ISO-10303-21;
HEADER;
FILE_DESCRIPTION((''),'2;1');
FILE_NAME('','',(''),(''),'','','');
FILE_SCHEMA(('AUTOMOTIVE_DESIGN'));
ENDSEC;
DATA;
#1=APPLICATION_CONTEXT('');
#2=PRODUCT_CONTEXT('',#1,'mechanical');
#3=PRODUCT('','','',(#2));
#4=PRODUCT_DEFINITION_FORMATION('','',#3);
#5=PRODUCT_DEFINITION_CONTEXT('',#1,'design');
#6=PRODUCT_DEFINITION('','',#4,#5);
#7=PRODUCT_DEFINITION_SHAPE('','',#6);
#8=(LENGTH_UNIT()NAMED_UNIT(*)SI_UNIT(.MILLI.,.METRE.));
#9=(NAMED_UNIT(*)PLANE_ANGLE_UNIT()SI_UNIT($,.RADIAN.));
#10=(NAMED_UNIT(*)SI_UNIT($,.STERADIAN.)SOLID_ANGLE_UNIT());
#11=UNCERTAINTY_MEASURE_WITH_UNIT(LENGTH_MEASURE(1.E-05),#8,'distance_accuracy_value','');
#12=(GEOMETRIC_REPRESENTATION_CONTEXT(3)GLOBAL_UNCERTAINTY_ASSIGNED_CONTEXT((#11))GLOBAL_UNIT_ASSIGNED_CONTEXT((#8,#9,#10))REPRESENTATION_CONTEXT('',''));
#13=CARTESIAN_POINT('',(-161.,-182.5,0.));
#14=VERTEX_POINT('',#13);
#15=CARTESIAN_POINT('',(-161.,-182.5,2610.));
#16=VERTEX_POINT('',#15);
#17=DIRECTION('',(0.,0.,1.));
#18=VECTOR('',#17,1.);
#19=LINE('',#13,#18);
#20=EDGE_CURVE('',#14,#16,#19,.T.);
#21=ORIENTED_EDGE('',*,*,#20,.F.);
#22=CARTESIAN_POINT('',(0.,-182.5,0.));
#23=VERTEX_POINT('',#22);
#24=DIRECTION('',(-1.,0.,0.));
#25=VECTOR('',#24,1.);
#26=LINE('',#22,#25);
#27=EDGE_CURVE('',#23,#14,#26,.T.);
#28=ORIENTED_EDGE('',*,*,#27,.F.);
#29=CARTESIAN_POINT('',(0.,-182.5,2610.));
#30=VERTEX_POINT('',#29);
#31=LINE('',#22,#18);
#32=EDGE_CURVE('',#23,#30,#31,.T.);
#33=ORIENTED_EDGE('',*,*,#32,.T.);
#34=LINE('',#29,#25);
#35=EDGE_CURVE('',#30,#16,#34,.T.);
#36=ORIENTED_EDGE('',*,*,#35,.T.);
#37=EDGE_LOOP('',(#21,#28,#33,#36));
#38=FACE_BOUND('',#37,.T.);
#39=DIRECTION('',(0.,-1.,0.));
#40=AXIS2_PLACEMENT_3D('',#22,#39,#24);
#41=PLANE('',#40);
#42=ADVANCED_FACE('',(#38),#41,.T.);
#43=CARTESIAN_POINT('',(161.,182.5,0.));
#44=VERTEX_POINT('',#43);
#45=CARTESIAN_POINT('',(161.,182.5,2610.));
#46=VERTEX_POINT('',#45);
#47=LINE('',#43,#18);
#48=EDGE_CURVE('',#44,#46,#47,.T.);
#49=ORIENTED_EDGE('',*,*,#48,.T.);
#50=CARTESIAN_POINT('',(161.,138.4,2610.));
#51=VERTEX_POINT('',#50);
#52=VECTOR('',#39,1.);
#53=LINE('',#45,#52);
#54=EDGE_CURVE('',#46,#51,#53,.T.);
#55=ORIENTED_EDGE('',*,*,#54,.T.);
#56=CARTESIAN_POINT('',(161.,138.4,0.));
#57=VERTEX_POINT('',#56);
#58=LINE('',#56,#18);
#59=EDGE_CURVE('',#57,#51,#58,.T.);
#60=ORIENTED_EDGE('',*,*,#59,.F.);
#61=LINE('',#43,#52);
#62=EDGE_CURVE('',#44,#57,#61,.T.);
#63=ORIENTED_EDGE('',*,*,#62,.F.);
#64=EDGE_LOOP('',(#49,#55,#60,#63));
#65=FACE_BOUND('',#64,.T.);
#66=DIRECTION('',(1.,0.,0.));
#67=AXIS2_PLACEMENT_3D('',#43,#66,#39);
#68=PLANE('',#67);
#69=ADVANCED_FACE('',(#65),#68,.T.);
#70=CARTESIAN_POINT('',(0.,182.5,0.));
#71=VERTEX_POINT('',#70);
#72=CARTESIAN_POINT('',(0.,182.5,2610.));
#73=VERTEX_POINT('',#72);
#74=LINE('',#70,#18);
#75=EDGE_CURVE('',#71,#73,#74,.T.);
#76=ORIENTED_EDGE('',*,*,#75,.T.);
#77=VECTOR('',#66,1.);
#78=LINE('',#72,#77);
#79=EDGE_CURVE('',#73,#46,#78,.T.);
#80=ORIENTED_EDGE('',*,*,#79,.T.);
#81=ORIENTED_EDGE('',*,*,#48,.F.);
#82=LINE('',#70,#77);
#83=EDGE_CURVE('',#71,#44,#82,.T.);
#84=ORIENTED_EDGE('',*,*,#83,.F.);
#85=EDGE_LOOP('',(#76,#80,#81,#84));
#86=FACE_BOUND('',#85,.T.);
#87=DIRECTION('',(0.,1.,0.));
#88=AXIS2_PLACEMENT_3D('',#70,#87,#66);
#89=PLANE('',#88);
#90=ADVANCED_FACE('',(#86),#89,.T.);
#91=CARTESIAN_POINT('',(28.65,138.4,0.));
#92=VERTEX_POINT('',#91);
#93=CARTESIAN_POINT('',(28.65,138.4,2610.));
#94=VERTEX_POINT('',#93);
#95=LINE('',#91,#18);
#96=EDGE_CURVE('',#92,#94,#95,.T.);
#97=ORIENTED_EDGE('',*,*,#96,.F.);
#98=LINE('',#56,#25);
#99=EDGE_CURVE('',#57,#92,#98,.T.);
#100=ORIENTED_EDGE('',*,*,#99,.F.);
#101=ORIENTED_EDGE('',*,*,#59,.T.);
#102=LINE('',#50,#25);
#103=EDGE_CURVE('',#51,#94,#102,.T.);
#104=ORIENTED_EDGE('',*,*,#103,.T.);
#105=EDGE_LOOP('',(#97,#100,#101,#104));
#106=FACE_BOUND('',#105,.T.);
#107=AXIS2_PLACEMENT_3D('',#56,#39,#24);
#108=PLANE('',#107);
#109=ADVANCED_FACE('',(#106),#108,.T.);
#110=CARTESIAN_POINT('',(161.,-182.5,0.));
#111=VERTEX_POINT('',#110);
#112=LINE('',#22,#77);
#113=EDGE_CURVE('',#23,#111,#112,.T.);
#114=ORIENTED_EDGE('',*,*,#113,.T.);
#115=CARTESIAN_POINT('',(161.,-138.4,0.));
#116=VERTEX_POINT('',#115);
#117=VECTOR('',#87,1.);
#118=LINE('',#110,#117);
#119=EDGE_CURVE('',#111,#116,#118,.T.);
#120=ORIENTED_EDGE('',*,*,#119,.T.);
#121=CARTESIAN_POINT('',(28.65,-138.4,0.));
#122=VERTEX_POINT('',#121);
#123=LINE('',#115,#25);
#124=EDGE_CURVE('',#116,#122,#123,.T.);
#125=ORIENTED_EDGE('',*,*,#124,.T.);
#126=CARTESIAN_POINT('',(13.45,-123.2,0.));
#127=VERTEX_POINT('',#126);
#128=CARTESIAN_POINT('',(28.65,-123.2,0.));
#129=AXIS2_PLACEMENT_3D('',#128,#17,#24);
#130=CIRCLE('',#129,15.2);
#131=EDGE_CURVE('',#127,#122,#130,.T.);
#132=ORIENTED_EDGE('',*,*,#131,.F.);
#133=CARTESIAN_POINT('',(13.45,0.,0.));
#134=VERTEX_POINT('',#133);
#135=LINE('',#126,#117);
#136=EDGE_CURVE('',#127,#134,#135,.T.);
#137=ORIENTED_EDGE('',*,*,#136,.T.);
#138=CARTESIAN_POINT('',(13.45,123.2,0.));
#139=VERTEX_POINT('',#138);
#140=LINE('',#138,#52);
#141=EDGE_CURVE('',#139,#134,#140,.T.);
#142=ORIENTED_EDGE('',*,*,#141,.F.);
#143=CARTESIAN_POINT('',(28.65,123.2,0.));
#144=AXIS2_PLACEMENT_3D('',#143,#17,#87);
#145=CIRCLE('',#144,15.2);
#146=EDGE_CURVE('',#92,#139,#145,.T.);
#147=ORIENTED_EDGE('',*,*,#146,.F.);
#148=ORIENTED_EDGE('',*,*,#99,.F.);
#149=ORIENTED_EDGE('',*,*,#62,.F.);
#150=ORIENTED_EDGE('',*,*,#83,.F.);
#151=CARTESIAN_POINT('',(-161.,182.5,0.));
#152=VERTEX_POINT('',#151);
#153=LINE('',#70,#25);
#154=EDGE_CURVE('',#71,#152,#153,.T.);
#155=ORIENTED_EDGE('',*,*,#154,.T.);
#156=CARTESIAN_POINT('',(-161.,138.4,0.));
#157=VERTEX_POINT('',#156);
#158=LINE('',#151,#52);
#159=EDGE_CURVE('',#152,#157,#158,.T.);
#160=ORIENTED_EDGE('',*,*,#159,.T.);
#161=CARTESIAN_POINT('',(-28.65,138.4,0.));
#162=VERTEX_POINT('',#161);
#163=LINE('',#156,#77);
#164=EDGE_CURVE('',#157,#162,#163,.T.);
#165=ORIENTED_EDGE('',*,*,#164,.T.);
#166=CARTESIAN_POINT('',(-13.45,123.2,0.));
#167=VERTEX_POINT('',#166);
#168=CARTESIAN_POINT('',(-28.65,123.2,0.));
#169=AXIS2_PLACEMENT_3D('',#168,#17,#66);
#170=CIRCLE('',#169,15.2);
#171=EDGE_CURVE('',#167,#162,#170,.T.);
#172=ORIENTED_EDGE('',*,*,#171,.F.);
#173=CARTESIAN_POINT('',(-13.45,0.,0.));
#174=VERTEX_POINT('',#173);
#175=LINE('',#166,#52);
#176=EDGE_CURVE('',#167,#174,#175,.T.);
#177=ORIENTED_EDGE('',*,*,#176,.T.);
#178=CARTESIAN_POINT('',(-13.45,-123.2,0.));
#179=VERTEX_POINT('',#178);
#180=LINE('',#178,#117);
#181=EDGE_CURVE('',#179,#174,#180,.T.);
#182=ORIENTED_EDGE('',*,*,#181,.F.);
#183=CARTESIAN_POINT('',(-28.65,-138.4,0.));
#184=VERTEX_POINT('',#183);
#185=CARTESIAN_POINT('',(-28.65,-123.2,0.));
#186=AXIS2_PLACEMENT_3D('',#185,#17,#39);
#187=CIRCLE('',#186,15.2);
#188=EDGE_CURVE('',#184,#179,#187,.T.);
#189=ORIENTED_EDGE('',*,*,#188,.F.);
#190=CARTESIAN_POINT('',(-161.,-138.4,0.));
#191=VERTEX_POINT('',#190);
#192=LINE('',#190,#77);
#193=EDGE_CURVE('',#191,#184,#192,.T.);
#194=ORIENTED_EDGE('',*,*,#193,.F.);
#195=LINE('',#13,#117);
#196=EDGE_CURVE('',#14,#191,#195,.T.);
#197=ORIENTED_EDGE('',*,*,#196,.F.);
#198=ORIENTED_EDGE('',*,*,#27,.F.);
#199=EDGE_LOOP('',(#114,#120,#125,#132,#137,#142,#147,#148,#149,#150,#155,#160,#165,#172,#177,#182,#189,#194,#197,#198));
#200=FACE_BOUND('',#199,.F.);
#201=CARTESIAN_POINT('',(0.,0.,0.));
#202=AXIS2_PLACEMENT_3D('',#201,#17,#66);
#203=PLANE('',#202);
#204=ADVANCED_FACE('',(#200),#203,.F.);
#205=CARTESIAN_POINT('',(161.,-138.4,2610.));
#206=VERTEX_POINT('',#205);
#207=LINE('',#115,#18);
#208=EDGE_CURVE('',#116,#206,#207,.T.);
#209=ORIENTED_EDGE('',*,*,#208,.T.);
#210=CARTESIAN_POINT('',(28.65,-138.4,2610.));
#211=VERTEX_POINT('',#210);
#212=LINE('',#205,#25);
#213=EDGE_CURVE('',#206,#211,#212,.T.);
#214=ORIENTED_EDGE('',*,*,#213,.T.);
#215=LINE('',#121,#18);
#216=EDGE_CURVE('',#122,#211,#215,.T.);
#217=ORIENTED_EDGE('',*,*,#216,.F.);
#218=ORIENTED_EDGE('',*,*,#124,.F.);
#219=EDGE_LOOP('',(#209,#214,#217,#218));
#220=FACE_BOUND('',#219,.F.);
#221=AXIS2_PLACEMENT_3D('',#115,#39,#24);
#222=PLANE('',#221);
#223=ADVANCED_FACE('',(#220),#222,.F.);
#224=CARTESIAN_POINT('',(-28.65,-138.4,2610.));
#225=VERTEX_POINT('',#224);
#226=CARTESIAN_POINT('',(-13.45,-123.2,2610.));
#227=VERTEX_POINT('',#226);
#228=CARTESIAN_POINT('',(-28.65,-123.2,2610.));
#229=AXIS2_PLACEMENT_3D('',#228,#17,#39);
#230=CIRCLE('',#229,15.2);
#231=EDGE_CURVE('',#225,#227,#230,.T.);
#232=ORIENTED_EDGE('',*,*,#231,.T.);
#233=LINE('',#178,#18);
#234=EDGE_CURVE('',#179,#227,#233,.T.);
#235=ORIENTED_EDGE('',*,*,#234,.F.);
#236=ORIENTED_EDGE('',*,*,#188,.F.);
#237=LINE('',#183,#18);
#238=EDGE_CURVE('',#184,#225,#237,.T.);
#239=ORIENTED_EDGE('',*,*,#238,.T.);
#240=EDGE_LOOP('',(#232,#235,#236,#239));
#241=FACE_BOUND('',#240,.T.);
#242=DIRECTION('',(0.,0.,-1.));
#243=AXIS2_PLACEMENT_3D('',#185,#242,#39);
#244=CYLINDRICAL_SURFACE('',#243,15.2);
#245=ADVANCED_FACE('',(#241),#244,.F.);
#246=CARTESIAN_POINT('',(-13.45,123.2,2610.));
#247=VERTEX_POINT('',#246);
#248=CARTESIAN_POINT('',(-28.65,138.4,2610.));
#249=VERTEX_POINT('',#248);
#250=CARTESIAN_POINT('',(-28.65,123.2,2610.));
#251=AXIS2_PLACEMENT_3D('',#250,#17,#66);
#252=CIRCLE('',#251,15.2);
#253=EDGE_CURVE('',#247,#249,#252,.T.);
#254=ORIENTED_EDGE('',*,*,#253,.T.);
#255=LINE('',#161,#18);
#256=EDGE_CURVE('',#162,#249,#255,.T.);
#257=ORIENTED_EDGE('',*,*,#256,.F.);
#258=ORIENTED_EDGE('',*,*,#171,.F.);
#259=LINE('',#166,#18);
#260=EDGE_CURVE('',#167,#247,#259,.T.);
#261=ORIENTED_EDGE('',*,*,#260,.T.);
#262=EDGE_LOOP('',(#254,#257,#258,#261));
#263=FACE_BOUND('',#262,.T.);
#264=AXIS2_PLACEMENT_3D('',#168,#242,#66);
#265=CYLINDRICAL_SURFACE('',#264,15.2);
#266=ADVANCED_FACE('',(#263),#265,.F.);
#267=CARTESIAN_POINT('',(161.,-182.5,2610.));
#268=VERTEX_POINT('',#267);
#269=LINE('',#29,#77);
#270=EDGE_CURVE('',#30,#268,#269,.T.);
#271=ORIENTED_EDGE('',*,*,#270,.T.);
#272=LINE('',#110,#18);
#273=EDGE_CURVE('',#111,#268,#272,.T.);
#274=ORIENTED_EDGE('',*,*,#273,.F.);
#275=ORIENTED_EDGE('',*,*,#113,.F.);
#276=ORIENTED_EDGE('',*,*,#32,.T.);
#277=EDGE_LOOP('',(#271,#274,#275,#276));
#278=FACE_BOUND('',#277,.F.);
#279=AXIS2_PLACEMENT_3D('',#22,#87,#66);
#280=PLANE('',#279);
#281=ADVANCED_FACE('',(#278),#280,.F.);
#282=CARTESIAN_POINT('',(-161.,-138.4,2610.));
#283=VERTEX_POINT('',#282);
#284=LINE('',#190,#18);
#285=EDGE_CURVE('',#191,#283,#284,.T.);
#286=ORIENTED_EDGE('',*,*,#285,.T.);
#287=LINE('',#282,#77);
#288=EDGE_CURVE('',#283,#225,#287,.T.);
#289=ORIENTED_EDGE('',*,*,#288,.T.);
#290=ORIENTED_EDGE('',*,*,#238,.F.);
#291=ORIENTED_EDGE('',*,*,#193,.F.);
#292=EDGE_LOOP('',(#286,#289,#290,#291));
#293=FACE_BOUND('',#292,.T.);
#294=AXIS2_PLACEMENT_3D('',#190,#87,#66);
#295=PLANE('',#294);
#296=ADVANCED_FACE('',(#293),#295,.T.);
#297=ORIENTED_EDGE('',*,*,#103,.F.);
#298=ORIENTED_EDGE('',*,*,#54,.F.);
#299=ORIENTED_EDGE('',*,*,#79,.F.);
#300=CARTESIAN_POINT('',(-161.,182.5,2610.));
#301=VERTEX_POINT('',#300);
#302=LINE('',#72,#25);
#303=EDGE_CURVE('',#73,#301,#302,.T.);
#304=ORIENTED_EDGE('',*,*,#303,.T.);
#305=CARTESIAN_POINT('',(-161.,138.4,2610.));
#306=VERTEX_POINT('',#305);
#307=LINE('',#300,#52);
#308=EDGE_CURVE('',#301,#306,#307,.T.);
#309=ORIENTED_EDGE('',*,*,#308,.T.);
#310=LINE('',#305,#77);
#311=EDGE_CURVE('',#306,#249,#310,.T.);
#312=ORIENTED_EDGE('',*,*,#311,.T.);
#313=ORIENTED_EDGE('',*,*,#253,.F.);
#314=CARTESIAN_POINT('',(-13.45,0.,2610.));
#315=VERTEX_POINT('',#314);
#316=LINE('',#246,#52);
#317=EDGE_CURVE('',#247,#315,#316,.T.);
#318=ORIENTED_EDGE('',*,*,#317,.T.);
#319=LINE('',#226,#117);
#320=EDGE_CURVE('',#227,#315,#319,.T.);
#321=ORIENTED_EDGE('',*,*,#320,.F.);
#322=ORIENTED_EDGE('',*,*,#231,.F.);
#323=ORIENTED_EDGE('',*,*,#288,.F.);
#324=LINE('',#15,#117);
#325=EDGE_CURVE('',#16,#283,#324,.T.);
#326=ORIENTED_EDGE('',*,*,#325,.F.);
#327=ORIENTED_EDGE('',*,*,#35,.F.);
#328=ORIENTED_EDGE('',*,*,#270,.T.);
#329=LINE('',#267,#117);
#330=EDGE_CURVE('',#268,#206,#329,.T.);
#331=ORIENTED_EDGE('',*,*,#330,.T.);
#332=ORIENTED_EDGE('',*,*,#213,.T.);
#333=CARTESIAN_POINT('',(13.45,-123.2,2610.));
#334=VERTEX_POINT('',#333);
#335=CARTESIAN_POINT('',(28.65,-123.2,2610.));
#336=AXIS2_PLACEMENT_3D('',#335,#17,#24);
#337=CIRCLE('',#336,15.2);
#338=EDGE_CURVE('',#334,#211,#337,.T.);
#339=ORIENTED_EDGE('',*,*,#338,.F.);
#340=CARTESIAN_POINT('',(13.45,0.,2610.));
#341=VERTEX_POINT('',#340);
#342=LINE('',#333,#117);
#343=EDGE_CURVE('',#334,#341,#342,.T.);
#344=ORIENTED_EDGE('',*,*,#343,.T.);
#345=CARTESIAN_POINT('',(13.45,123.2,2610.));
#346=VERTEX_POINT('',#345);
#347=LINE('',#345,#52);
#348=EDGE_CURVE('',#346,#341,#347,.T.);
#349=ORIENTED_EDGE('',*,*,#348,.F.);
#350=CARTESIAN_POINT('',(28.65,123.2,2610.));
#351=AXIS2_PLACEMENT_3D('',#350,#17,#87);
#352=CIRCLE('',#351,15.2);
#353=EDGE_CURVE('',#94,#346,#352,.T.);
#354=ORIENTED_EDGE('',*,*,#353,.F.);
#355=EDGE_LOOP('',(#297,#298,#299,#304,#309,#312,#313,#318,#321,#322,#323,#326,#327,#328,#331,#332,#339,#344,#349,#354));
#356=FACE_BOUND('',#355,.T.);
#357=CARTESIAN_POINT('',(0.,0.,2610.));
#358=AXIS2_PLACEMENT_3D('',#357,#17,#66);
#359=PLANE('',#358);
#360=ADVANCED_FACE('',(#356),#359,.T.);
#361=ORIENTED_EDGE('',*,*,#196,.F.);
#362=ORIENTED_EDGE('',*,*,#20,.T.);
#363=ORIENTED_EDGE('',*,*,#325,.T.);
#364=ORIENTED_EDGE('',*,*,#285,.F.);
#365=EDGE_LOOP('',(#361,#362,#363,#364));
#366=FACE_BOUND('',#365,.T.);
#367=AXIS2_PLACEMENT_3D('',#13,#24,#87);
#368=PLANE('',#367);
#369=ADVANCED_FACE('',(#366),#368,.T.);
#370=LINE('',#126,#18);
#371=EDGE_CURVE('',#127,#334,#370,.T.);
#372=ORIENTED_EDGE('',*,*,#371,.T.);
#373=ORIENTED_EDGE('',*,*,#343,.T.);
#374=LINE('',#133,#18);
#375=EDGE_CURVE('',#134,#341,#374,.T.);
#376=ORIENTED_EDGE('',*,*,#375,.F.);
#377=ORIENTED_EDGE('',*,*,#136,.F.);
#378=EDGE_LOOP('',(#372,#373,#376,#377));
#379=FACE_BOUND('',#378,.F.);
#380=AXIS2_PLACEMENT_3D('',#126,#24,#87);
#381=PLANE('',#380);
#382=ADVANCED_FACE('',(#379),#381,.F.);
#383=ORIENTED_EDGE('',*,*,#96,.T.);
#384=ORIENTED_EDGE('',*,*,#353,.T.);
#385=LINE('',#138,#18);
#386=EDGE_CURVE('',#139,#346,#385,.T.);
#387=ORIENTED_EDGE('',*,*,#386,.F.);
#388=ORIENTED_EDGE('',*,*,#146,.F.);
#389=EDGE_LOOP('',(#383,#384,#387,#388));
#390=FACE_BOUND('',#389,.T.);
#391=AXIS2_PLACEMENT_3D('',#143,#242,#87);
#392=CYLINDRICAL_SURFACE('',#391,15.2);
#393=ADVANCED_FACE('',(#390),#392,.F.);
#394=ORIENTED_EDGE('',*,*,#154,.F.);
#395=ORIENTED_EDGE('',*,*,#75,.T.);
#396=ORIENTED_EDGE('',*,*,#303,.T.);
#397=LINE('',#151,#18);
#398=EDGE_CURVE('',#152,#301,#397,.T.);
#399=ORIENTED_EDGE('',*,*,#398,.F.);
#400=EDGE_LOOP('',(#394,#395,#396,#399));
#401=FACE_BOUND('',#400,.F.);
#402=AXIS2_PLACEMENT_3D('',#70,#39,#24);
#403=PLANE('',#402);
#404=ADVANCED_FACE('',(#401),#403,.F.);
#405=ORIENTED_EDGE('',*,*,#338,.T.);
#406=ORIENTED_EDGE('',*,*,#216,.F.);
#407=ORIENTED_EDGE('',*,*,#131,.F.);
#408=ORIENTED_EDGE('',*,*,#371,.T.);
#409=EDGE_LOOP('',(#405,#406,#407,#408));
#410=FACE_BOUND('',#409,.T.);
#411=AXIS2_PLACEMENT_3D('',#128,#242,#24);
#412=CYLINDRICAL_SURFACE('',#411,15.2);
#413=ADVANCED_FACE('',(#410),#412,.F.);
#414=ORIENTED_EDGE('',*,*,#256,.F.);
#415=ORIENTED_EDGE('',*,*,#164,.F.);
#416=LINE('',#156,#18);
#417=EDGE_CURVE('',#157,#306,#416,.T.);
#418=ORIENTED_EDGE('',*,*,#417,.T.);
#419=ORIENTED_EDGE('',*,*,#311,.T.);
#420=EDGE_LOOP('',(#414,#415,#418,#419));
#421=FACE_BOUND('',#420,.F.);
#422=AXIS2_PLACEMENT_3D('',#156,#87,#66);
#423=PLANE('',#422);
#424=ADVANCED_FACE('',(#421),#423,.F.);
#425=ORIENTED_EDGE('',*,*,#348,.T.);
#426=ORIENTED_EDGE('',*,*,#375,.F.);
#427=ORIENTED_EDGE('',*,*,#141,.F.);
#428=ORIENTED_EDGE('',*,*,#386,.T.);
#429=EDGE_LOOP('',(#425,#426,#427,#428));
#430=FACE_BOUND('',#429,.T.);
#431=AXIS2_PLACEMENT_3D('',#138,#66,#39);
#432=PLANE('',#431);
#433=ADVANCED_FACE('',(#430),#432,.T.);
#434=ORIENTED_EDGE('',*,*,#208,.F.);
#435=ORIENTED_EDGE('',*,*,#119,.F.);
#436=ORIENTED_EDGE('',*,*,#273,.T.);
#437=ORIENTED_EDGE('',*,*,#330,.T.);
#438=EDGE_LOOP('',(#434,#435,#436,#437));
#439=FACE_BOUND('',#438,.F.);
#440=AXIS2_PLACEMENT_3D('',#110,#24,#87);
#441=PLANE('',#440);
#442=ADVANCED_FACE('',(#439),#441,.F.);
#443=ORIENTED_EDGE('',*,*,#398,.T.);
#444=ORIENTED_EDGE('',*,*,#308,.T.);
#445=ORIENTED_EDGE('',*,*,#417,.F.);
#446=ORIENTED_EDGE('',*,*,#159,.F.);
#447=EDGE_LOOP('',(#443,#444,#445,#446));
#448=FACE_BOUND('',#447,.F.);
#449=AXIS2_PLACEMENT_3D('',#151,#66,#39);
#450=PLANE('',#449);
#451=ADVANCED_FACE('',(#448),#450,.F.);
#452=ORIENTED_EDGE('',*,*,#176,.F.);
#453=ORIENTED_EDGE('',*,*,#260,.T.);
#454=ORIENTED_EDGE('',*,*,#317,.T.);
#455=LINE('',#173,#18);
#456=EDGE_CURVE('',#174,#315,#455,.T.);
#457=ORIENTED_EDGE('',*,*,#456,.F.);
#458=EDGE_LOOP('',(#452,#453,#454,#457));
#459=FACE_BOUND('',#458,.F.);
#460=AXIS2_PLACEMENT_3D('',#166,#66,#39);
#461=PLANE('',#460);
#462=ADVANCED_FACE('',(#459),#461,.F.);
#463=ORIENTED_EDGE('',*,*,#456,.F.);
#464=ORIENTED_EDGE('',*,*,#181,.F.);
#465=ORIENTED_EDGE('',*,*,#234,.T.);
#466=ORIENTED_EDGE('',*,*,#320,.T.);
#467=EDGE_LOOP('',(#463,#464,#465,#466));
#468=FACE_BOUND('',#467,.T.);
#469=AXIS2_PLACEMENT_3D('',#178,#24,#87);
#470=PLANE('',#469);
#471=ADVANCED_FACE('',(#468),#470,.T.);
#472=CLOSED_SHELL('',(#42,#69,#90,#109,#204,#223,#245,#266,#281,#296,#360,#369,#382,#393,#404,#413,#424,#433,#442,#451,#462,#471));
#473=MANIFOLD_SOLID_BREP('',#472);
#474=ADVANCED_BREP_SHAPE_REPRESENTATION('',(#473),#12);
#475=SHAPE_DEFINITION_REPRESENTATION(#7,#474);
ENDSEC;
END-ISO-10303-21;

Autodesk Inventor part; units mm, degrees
ref_plane "YZ Plane" through (0, 0, 0) normal (1, 0, 0) x (0, 1, 0)
ref_plane "Start plane" through (0, 0, 0) normal (0, 0, 1) x (1, 0, 0)
ref_plane "End plane" through (0, 0, 2610) normal (0, 0, 1) x (1, 0, 0)
sketch "Sketch" plane through (0, 0, 0) normal (0, 0, 1) x (1, 0, 0)
  line L0 (-161, -182.5) -> (-161, -138.4)
  line L1 (-161, -138.4) -> (-28.65, -138.4)
  line L2 (-13.45, -123.2) -> (-13.45, 0)
  line L3 (-13.45, 0) -> (0, 0) construction
  line L4 (0, 0) -> (0, -182.5) construction
  line L5 (0, -182.5) -> (-161, -182.5)
  line L6 (-60, 0) -> (80, 0) construction
  line L7 (0, -60) -> (0, 80) construction
  line L8 (161, -182.5) -> (161, -138.4)
  line L9 (161, -138.4) -> (28.65, -138.4)
  line L10 (13.45, -123.2) -> (13.45, 0)
  line L11 (13.45, 0) -> (0, 0) construction
  line L12 (0, -182.5) -> (161, -182.5)
  line L13 (-161, 182.5) -> (-161, 138.4)
  line L14 (-161, 138.4) -> (-28.65, 138.4)
  line L15 (-13.45, 123.2) -> (-13.45, 0)
  line L16 (0, 182.5) -> (-161, 182.5)
  line L17 (161, 182.5) -> (161, 138.4)
  line L18 (161, 138.4) -> (28.65, 138.4)
  line L19 (0, 182.5) -> (161, 182.5)
  line L20 (13.45, 123.2) -> (13.45, 0)
  arc A0 (-13.45, 123.2) -> (-28.65, 138.4) centre (-28.65, 123.2) ccw
  arc A1 (28.65, 138.4) -> (13.45, 123.2) centre (28.65, 123.2) ccw
  arc A2 (13.45, -123.2) -> (28.65, -138.4) centre (28.65, -123.2) ccw
  arc A3 (-28.65, -138.4) -> (-13.45, -123.2) centre (-28.65, -123.2) ccw
  line L21 (0, 108) -> (0, -88) construction
  line L22 (-88, 0) -> (108, 0) construction
  point P0 (-13.45, -138.4)
  point P1 (13.45, -138.4)
  point P2 (-13.45, 138.4)
  point P3 (13.45, 138.4)
  dimension "d1" = 182.5
  dimension "d2" = 44.1
  dimension "d3" = 161
  dimension "d4" = 13.45
  dimension "d10" = 15.2
extrude "Body" add sketch "Sketch" along normal up to surface (2610 mm away) from surface at 0
sketch "Sketch4" plane through (0, 0, 0) normal (0, 0, 1) x (1, 0, 0)
  line L0 (0, 0) -> (10, 0)
ref_plane "Work Plane3" through (0, 0, 0) normal (0, -1, 0) x (1, 0, 0)
sketch "Sketch5" plane through (0, 0, 0) normal (0, -1, 0) x (1, 0, 0)
  line L0 (-2, 0) -> (12, 0) projected
  line L1 (-2, 2610) -> (12, 2610) projected
  dimension "d14" = 2610
equation "\"d1\" = 0.5 * G_H"
equation "\"d2\" = G_T1"
equation "\"d3\" = 0.5 * G_W"
equation "\"d4\" = 0.5 * G_T"
equation "\"d10\" = G_IR"
equation "\"d5\" = G_L"
equation "\"G_W\" = 322"
equation "\"G_H\" = 365"
equation "\"G_T\" = 26.9"
equation "\"G_T1\" = 44.1"
equation "\"G_IR\" = 15.2"
equation "\"G_L\" = d14"
equation "\"G_OFFSET_START\" = 0"
equation "\"G_OFFSET_END\" = 0"
properties part number "AS 3679 - 310 UC - 283 - 2610" material "Steel, Mild"
